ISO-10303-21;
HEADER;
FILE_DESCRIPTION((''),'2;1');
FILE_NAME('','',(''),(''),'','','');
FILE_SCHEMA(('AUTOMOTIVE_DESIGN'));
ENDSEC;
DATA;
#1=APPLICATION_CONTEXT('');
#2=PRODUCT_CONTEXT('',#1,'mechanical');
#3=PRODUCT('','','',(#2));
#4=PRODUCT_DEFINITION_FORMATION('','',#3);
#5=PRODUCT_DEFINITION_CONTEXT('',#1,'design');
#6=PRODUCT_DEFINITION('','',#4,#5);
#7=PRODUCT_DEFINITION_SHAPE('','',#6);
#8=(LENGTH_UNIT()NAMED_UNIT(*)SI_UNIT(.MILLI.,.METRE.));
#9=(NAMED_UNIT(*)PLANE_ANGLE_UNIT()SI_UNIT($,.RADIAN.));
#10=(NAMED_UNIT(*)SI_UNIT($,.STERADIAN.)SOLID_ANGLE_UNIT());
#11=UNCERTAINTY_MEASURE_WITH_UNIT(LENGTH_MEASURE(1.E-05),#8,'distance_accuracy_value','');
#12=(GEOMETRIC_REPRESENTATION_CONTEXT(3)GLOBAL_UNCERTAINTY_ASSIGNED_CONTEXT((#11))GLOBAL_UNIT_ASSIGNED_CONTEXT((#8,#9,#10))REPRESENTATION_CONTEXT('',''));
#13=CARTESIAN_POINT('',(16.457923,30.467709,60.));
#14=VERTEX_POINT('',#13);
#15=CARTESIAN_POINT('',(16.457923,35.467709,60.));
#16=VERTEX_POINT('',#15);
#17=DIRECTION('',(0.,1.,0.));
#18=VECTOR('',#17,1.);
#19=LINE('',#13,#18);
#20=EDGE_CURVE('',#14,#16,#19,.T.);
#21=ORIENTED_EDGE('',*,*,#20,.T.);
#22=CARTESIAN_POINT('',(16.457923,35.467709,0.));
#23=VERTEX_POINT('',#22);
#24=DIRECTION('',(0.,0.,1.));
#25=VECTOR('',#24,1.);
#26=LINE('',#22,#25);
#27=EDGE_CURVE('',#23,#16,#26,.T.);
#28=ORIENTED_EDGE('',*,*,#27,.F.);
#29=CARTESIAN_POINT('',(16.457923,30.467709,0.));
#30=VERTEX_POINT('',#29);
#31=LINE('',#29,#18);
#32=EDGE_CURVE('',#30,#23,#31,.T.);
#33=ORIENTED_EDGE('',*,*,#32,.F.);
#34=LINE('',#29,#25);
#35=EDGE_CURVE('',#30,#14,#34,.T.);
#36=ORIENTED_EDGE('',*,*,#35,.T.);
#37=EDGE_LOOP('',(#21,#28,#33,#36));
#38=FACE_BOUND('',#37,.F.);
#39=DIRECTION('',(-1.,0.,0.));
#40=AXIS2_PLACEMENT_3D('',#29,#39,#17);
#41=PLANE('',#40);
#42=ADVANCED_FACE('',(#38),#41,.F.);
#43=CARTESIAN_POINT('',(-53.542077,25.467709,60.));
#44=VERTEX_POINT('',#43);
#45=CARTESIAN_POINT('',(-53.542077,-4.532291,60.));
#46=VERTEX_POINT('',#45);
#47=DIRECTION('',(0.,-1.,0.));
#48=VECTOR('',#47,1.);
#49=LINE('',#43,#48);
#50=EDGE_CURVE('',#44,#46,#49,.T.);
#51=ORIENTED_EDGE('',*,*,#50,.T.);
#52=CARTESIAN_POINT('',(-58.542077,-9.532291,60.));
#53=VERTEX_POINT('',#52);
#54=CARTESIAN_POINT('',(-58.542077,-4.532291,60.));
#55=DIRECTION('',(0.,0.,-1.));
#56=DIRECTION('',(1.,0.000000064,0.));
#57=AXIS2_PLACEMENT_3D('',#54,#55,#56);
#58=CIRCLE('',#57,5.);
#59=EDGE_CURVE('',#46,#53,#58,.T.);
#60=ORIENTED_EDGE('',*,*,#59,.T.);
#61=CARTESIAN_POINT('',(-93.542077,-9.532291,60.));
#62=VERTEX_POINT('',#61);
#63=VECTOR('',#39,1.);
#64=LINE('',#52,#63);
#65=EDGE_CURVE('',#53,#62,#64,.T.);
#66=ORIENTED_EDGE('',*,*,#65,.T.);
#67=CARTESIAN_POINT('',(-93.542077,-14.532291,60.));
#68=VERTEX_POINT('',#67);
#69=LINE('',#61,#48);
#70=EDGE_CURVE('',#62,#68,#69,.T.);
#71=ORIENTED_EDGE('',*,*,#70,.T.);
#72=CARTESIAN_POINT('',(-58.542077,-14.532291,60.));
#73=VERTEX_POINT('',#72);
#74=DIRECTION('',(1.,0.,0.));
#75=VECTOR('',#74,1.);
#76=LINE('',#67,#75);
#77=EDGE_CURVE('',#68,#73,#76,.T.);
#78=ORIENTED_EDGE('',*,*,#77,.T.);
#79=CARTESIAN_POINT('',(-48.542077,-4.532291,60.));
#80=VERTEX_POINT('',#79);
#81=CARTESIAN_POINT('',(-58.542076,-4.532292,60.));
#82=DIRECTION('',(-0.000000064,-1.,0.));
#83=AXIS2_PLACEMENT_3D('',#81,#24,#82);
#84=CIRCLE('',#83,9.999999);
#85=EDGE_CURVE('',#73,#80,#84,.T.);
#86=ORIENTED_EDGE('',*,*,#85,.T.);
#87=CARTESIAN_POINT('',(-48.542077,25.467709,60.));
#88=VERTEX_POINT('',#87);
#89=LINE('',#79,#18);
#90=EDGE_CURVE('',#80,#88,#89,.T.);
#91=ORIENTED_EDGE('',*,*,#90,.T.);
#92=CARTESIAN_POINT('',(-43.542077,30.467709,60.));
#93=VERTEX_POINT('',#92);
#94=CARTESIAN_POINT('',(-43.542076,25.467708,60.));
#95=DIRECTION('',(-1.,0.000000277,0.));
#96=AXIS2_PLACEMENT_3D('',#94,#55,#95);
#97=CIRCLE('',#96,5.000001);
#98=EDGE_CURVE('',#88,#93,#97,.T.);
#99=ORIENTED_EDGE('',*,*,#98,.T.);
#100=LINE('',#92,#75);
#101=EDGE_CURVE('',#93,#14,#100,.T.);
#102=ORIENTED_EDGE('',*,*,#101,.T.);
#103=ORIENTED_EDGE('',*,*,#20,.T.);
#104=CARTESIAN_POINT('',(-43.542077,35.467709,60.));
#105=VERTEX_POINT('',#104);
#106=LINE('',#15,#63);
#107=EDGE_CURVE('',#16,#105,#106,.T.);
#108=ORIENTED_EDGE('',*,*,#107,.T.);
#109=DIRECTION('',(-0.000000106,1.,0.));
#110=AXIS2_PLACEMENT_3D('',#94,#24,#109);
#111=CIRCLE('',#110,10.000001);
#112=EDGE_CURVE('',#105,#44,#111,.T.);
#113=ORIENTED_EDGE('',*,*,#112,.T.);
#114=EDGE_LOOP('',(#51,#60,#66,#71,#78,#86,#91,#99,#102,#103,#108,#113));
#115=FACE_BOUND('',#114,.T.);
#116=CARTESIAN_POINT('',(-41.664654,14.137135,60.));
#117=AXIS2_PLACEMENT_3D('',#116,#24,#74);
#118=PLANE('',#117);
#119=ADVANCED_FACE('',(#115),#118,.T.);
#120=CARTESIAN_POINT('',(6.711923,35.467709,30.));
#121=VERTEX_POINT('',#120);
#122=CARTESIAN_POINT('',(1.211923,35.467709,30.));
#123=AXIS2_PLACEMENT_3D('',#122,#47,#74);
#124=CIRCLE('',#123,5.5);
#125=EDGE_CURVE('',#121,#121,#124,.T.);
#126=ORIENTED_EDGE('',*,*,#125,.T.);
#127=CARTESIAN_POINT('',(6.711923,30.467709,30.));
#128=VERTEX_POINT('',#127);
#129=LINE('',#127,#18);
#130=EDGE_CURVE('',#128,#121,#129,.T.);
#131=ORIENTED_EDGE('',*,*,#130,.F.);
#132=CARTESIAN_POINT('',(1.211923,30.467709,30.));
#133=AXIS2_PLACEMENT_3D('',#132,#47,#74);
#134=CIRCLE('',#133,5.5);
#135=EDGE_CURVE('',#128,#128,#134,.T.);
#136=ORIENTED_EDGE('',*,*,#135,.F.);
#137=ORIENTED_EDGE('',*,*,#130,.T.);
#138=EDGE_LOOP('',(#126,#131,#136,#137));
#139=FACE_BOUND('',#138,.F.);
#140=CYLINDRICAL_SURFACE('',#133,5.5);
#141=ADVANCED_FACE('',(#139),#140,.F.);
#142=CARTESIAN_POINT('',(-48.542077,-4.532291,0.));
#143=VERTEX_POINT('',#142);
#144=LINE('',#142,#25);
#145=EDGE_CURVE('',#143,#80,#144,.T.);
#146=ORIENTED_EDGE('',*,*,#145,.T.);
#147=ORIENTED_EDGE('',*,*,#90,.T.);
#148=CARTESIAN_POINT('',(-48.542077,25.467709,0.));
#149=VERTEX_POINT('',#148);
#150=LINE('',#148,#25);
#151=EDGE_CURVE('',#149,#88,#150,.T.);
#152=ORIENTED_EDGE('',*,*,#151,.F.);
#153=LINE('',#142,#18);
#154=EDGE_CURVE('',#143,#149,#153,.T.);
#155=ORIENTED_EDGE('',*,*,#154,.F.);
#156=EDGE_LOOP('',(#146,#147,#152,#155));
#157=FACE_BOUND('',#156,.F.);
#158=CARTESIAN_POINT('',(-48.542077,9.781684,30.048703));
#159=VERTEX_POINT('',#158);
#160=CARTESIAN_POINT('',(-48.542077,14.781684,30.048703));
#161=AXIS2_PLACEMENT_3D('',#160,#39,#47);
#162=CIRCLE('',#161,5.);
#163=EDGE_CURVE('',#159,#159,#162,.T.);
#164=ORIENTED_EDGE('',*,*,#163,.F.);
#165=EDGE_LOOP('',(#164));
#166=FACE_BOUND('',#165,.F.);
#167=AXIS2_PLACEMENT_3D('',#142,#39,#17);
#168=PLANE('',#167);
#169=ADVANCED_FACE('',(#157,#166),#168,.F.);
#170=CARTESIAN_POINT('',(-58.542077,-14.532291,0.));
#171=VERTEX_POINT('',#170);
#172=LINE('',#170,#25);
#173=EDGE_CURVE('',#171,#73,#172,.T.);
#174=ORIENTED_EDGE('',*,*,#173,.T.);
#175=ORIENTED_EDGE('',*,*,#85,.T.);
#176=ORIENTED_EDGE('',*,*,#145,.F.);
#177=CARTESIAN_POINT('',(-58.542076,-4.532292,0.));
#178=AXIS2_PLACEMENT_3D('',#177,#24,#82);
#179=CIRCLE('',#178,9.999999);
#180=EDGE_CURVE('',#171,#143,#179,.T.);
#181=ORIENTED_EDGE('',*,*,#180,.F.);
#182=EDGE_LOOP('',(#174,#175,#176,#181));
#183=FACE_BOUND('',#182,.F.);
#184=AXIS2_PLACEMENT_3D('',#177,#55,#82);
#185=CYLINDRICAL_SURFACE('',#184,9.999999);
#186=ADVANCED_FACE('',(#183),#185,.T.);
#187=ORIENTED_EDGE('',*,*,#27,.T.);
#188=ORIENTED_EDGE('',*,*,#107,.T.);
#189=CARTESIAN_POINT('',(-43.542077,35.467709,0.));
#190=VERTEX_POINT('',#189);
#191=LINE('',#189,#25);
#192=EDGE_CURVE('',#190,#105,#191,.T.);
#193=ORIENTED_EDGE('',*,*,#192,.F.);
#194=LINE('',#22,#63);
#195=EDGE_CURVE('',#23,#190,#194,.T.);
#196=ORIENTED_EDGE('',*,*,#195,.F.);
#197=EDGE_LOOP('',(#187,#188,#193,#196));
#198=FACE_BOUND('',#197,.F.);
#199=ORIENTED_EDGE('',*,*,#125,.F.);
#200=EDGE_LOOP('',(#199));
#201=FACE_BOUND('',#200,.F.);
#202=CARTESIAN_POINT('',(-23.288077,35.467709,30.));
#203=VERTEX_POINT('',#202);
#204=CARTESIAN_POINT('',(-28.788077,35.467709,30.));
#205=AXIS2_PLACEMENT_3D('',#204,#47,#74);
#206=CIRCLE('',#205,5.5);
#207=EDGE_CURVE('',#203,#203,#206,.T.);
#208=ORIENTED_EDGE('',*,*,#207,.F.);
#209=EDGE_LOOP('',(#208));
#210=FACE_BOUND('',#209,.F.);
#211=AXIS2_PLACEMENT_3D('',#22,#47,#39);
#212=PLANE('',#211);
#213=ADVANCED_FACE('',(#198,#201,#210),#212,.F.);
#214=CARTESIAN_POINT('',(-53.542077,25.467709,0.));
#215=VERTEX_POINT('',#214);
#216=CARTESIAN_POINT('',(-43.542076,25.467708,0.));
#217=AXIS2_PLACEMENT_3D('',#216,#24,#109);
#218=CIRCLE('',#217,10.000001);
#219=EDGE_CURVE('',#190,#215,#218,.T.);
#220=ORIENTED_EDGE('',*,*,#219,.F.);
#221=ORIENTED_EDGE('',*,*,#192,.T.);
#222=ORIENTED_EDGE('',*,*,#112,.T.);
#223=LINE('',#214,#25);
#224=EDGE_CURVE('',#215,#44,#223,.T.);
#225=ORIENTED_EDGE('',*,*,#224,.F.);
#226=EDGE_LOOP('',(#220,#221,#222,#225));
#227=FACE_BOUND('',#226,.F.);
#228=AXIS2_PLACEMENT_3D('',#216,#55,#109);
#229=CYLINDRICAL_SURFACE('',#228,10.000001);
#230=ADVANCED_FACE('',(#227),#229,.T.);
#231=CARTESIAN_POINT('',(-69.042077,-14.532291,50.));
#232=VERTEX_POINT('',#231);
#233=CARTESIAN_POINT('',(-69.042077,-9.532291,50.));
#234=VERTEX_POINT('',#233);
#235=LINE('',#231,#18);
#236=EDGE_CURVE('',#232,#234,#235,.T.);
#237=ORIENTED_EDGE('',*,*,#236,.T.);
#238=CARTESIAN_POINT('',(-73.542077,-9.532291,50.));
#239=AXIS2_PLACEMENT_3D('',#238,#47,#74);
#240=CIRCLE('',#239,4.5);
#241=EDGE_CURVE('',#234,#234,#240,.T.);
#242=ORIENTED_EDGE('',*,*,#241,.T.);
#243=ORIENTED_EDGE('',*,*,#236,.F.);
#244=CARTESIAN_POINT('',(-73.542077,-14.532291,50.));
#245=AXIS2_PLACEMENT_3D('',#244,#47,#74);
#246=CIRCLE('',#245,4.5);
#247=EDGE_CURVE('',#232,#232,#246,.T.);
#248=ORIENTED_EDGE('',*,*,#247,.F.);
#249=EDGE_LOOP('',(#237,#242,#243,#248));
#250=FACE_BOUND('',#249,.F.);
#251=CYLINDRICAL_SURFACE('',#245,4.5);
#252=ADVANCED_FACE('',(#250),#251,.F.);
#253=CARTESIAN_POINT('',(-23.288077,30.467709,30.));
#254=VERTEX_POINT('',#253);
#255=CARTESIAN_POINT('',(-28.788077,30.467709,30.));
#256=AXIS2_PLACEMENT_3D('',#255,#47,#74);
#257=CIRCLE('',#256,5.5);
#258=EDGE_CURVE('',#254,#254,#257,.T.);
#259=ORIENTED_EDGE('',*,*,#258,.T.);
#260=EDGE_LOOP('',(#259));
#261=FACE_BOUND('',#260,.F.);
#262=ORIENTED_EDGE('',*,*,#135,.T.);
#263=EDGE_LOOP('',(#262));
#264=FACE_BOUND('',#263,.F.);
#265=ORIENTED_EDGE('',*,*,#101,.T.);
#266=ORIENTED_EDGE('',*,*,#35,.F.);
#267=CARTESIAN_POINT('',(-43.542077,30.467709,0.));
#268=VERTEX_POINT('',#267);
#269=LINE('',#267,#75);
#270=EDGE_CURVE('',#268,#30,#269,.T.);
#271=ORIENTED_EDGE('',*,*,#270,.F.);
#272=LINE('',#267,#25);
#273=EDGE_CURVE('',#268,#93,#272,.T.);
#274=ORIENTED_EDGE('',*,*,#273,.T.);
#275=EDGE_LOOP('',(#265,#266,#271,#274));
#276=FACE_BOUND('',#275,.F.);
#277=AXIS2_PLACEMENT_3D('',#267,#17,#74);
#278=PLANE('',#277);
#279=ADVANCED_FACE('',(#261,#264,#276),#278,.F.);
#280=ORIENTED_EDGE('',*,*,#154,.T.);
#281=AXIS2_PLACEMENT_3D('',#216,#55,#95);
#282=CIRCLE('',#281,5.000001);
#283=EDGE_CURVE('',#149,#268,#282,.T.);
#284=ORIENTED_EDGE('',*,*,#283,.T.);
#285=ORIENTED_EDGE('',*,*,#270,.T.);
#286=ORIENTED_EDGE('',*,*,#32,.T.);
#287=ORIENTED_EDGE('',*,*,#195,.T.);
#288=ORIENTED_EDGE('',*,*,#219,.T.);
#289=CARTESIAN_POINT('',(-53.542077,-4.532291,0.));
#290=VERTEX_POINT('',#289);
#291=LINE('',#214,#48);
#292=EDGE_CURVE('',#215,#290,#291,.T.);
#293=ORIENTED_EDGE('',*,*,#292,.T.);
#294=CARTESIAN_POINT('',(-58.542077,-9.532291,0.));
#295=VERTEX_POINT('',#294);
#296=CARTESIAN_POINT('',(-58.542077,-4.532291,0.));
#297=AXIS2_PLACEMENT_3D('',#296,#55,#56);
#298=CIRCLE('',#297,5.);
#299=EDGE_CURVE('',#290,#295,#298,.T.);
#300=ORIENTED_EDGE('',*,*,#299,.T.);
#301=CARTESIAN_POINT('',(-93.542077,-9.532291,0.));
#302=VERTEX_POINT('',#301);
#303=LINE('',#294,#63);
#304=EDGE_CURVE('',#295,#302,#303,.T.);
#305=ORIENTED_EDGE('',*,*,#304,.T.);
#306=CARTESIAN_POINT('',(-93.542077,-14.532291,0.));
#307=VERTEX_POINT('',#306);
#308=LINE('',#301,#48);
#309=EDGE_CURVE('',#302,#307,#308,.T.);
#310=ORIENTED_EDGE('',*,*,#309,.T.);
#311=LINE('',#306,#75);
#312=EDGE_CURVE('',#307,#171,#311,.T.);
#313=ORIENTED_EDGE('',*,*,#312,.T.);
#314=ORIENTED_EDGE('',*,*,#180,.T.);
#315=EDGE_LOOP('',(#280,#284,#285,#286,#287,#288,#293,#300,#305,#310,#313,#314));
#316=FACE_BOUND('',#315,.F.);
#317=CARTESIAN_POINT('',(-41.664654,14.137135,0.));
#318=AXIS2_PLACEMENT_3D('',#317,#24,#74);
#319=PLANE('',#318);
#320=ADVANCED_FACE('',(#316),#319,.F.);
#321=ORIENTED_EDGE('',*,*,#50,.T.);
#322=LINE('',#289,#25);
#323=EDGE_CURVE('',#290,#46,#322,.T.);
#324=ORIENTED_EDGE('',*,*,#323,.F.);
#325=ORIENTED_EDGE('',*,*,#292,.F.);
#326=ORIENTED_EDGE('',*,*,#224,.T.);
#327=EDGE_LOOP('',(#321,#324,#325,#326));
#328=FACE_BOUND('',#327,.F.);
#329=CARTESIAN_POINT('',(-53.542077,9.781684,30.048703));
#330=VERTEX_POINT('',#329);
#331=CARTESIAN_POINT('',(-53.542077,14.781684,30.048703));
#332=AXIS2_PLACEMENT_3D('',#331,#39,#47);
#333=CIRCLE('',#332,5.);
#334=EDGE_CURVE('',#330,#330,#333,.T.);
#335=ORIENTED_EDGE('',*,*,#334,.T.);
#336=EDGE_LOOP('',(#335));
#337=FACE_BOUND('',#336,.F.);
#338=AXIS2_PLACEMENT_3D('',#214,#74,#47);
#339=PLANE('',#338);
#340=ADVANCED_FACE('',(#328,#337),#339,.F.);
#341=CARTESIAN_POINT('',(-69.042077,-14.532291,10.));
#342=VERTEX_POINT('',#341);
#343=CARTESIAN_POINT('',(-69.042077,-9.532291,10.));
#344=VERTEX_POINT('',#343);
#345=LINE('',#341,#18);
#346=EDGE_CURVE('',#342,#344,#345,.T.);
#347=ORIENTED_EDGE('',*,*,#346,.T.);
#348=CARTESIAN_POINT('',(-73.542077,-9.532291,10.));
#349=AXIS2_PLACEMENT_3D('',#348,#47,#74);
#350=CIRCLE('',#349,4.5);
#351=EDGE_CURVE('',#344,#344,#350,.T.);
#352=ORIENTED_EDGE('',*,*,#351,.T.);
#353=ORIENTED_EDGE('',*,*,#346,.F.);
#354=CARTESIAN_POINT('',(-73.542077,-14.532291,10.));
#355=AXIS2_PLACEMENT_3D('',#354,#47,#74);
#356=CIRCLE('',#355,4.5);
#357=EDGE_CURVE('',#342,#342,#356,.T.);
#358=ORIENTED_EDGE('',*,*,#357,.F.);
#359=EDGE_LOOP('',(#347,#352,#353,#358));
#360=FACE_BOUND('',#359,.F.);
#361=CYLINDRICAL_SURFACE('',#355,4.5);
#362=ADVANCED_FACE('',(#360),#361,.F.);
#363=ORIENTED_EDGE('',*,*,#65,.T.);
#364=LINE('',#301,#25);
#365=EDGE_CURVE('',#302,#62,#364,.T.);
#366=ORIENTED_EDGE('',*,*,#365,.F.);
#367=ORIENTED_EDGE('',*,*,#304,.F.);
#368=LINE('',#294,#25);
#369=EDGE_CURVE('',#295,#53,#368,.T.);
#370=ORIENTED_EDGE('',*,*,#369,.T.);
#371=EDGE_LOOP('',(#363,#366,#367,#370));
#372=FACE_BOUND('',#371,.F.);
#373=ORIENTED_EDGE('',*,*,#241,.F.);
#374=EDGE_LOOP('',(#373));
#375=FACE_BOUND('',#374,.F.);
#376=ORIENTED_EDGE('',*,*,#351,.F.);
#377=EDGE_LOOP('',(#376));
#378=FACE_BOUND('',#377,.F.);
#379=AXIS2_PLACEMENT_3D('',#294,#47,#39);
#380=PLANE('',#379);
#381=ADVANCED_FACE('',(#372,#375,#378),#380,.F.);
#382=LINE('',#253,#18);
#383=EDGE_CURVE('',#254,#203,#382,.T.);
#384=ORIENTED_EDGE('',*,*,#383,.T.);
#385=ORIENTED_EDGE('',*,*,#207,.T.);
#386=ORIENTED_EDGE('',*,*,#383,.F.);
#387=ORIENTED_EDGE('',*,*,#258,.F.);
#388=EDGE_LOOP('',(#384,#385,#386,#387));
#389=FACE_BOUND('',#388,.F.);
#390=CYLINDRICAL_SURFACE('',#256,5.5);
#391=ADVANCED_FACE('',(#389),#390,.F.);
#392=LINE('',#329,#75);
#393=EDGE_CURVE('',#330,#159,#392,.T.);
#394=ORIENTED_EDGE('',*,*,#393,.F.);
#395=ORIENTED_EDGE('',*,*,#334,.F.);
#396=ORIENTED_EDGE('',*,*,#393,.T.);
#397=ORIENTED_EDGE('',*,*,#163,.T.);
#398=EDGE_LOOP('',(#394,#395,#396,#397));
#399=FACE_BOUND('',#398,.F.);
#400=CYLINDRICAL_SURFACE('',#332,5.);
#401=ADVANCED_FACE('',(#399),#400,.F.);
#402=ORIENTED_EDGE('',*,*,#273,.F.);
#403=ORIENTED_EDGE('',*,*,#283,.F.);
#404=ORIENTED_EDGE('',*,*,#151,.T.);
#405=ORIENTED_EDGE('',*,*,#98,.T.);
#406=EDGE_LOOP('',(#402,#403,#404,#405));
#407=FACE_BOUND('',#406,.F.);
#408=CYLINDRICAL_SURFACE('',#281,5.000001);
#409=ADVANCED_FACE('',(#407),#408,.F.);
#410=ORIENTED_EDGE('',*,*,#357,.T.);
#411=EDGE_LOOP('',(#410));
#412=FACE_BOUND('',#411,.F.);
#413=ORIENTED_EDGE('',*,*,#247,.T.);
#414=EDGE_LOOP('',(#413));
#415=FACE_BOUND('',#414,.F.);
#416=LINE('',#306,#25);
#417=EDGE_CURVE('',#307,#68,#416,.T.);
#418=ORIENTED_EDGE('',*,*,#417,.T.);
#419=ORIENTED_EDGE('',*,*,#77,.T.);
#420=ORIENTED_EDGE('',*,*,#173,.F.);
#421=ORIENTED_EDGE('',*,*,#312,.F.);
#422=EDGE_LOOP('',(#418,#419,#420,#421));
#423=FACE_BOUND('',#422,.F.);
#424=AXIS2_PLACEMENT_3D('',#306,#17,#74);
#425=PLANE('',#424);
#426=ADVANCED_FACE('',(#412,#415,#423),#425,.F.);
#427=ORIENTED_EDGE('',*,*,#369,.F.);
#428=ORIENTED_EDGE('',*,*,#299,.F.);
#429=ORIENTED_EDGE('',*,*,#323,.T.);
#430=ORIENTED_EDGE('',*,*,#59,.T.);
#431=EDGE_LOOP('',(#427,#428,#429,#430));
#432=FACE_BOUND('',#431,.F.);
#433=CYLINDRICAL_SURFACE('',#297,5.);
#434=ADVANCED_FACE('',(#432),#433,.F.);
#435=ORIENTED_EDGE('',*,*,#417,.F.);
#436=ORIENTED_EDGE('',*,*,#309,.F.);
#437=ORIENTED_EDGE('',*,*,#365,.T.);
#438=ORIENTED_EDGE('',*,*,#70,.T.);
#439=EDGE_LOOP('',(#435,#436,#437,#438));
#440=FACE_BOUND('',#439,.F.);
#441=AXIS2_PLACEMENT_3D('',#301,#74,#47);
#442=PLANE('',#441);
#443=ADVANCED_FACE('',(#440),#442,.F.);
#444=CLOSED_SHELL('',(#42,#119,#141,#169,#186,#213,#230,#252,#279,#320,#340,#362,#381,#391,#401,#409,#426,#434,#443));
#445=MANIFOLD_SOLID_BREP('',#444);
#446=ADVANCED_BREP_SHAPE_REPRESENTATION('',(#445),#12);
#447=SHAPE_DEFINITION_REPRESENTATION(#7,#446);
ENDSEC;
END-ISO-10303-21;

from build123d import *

# Parameters (mm, degrees)
F1_DEPTH = 60
F2_R     = 5
F3_DEPTH = 25
F4_R     = 4.5
F4_R_2   = 5.5
F5_DEPTH = 25
F6_DEPTH = 25
F7_R     = 5.5
F8_DEPTH = 25


with BuildPart() as f1:
    # F0 (on Top) → F1 (new body)
    with BuildSketch(Plane.XY):
        with BuildLine():
            Line((-58.542077, -9.532291), (-93.542077, -9.532291))
            Line((-93.542077, -9.532291), (-93.542077, -14.532291))
            Line((-93.542077, -14.532291), (-73.946506, -14.532291))
            Line((-73.946506, -14.532291), (-58.542077, -14.532291))
            ThreePointArc((-58.542077, -14.532291), (-51.471009, -11.603359), (-48.542077, -4.532291))
            Line((-48.542077, -4.532291), (-48.542077, 25.467709))
            ThreePointArc((-48.542077, 25.467709), (-47.07761, 29.003243), (-43.542077, 30.467709))
            Line((-43.542077, 30.467709), (16.457923, 30.467709))
            Line((16.457923, 30.467709), (16.457923, 35.467709))
            Line((16.457923, 35.467709), (-43.542077, 35.467709))
            ThreePointArc((-43.542077, 35.467709), (-50.613144, 32.538777), (-53.542077, 25.467709))
            Line((-53.542077, 25.467709), (-53.542077, -4.532291))
            ThreePointArc((-53.542077, -4.532291), (-55.006543, -8.067825), (-58.542077, -9.532291))
        make_face()
    extrude(amount=F1_DEPTH)

    # F2 (on face) → F3 (cut)
    with BuildSketch(Plane(origin=(-53.542077, 0, 0), x_dir=(0, -1, 0), z_dir=(-1, 0, 0))):
        with Locations((-14.781684, 30.048703)):
            Circle(F2_R)
    extrude(amount=-F3_DEPTH, mode=Mode.SUBTRACT)

    # F4 (on face) → F5 (cut)
    with BuildSketch(Plane.XZ.offset(14.532291)):
        with Locations((-73.542077, 50)):
            Circle(F4_R)
        with Locations((-73.542077, 10)):
            Circle(F4_R)
        with Locations((-28.542077, 30)):
            Circle(F4_R_2)
        with Locations((1.457923, 30)):
            Circle(F4_R_2)
    extrude(amount=-F5_DEPTH, mode=Mode.SUBTRACT)

    # F4 (on face) → F6 (cut)
    with BuildSketch(Plane.XZ.offset(14.532291)):
        with Locations((-28.542077, 30)):
            Circle(F4_R_2)
        with Locations((1.457923, 30)):
            Circle(F4_R_2)
    extrude(amount=-F6_DEPTH, mode=Mode.SUBTRACT)

    # F7 (on face) → F8 (cut)
    with BuildSketch(Plane.XZ.offset(-30.467709)):
        with Locations((-28.788077, 30)):
            Circle(F7_R)
        with Locations((1.211923, 30)):
            Circle(F7_R)
    extrude(amount=-F8_DEPTH, mode=Mode.SUBTRACT)


solid = f1.part
